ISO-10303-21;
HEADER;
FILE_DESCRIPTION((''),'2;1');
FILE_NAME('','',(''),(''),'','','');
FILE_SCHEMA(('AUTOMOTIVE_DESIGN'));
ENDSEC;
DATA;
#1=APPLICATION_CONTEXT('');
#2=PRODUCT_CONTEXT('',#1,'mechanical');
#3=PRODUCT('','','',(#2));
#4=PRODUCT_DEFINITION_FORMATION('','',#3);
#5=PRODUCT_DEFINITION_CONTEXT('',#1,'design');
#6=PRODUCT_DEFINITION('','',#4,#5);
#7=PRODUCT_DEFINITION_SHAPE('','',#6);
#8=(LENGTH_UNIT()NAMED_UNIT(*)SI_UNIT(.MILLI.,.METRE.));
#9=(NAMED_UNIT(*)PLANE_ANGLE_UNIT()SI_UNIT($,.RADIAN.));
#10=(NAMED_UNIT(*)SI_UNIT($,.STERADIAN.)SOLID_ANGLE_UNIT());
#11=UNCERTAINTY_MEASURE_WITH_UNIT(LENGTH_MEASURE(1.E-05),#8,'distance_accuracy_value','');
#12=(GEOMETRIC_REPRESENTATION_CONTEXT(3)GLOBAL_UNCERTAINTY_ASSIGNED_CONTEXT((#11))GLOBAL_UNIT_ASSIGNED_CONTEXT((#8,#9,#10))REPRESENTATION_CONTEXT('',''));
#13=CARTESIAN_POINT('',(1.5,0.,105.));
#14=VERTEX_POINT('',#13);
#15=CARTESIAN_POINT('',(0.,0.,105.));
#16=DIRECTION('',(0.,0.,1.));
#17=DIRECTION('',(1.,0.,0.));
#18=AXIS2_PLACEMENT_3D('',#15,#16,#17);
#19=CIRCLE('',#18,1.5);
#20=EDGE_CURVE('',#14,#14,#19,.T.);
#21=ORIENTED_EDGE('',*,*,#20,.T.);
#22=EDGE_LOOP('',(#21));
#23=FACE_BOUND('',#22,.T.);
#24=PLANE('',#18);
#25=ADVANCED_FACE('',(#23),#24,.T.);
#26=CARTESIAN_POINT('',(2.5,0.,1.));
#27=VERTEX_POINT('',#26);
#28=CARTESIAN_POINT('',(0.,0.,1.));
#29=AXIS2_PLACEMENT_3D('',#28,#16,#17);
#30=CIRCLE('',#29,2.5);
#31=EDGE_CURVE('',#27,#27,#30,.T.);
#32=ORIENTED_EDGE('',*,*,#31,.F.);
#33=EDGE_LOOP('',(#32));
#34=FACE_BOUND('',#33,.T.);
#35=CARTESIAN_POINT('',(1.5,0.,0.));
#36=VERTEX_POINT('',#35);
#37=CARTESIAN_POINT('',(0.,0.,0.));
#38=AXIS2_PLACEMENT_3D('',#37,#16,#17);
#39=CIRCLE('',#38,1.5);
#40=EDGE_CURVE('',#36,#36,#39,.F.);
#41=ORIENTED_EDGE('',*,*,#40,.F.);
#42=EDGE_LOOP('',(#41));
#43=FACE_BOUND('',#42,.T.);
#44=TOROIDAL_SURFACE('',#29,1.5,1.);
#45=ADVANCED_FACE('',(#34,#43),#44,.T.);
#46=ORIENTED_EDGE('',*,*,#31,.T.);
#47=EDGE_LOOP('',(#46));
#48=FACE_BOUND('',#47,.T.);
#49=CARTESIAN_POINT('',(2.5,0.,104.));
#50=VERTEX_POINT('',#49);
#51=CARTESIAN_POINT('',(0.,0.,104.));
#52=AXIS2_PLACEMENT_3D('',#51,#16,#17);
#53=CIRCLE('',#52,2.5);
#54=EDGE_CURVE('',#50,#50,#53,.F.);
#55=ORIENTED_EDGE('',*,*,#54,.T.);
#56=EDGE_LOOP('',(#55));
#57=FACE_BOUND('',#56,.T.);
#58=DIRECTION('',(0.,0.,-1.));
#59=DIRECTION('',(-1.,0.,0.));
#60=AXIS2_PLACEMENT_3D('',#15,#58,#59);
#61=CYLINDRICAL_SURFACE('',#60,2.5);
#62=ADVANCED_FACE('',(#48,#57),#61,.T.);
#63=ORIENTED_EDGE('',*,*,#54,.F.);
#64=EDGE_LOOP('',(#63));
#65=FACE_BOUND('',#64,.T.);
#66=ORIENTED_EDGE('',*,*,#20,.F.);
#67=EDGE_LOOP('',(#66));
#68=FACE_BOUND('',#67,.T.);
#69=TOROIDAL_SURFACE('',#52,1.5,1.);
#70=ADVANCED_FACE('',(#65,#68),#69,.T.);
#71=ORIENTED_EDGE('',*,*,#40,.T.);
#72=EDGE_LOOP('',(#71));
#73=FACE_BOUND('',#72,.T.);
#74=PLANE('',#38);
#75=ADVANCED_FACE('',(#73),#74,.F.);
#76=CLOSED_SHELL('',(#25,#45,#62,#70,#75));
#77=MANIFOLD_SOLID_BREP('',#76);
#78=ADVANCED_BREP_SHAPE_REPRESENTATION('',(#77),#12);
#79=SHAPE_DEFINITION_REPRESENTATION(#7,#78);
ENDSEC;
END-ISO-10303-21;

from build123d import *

# Parameters (mm, degrees)
ESQUISSE1_R        = 2.5
BOSS_EXTRU_1_DEPTH = 105
CONG_1_R           = 1


with BuildPart() as part:
    # Esquisse1 → Boss.-Extru.1 (new body)
    with BuildSketch(Plane.XY):
        Circle(ESQUISSE1_R)
    extrude(amount=BOSS_EXTRU_1_DEPTH)

    # Congé1
    cong_1_edges = [part.edges().sort_by_distance(p)[0] for p in [
        (-2.5, 0, 0),
        (-2.5, 0, 105),
    ]]
    fillet(cong_1_edges, radius=CONG_1_R)


solid = part.part
